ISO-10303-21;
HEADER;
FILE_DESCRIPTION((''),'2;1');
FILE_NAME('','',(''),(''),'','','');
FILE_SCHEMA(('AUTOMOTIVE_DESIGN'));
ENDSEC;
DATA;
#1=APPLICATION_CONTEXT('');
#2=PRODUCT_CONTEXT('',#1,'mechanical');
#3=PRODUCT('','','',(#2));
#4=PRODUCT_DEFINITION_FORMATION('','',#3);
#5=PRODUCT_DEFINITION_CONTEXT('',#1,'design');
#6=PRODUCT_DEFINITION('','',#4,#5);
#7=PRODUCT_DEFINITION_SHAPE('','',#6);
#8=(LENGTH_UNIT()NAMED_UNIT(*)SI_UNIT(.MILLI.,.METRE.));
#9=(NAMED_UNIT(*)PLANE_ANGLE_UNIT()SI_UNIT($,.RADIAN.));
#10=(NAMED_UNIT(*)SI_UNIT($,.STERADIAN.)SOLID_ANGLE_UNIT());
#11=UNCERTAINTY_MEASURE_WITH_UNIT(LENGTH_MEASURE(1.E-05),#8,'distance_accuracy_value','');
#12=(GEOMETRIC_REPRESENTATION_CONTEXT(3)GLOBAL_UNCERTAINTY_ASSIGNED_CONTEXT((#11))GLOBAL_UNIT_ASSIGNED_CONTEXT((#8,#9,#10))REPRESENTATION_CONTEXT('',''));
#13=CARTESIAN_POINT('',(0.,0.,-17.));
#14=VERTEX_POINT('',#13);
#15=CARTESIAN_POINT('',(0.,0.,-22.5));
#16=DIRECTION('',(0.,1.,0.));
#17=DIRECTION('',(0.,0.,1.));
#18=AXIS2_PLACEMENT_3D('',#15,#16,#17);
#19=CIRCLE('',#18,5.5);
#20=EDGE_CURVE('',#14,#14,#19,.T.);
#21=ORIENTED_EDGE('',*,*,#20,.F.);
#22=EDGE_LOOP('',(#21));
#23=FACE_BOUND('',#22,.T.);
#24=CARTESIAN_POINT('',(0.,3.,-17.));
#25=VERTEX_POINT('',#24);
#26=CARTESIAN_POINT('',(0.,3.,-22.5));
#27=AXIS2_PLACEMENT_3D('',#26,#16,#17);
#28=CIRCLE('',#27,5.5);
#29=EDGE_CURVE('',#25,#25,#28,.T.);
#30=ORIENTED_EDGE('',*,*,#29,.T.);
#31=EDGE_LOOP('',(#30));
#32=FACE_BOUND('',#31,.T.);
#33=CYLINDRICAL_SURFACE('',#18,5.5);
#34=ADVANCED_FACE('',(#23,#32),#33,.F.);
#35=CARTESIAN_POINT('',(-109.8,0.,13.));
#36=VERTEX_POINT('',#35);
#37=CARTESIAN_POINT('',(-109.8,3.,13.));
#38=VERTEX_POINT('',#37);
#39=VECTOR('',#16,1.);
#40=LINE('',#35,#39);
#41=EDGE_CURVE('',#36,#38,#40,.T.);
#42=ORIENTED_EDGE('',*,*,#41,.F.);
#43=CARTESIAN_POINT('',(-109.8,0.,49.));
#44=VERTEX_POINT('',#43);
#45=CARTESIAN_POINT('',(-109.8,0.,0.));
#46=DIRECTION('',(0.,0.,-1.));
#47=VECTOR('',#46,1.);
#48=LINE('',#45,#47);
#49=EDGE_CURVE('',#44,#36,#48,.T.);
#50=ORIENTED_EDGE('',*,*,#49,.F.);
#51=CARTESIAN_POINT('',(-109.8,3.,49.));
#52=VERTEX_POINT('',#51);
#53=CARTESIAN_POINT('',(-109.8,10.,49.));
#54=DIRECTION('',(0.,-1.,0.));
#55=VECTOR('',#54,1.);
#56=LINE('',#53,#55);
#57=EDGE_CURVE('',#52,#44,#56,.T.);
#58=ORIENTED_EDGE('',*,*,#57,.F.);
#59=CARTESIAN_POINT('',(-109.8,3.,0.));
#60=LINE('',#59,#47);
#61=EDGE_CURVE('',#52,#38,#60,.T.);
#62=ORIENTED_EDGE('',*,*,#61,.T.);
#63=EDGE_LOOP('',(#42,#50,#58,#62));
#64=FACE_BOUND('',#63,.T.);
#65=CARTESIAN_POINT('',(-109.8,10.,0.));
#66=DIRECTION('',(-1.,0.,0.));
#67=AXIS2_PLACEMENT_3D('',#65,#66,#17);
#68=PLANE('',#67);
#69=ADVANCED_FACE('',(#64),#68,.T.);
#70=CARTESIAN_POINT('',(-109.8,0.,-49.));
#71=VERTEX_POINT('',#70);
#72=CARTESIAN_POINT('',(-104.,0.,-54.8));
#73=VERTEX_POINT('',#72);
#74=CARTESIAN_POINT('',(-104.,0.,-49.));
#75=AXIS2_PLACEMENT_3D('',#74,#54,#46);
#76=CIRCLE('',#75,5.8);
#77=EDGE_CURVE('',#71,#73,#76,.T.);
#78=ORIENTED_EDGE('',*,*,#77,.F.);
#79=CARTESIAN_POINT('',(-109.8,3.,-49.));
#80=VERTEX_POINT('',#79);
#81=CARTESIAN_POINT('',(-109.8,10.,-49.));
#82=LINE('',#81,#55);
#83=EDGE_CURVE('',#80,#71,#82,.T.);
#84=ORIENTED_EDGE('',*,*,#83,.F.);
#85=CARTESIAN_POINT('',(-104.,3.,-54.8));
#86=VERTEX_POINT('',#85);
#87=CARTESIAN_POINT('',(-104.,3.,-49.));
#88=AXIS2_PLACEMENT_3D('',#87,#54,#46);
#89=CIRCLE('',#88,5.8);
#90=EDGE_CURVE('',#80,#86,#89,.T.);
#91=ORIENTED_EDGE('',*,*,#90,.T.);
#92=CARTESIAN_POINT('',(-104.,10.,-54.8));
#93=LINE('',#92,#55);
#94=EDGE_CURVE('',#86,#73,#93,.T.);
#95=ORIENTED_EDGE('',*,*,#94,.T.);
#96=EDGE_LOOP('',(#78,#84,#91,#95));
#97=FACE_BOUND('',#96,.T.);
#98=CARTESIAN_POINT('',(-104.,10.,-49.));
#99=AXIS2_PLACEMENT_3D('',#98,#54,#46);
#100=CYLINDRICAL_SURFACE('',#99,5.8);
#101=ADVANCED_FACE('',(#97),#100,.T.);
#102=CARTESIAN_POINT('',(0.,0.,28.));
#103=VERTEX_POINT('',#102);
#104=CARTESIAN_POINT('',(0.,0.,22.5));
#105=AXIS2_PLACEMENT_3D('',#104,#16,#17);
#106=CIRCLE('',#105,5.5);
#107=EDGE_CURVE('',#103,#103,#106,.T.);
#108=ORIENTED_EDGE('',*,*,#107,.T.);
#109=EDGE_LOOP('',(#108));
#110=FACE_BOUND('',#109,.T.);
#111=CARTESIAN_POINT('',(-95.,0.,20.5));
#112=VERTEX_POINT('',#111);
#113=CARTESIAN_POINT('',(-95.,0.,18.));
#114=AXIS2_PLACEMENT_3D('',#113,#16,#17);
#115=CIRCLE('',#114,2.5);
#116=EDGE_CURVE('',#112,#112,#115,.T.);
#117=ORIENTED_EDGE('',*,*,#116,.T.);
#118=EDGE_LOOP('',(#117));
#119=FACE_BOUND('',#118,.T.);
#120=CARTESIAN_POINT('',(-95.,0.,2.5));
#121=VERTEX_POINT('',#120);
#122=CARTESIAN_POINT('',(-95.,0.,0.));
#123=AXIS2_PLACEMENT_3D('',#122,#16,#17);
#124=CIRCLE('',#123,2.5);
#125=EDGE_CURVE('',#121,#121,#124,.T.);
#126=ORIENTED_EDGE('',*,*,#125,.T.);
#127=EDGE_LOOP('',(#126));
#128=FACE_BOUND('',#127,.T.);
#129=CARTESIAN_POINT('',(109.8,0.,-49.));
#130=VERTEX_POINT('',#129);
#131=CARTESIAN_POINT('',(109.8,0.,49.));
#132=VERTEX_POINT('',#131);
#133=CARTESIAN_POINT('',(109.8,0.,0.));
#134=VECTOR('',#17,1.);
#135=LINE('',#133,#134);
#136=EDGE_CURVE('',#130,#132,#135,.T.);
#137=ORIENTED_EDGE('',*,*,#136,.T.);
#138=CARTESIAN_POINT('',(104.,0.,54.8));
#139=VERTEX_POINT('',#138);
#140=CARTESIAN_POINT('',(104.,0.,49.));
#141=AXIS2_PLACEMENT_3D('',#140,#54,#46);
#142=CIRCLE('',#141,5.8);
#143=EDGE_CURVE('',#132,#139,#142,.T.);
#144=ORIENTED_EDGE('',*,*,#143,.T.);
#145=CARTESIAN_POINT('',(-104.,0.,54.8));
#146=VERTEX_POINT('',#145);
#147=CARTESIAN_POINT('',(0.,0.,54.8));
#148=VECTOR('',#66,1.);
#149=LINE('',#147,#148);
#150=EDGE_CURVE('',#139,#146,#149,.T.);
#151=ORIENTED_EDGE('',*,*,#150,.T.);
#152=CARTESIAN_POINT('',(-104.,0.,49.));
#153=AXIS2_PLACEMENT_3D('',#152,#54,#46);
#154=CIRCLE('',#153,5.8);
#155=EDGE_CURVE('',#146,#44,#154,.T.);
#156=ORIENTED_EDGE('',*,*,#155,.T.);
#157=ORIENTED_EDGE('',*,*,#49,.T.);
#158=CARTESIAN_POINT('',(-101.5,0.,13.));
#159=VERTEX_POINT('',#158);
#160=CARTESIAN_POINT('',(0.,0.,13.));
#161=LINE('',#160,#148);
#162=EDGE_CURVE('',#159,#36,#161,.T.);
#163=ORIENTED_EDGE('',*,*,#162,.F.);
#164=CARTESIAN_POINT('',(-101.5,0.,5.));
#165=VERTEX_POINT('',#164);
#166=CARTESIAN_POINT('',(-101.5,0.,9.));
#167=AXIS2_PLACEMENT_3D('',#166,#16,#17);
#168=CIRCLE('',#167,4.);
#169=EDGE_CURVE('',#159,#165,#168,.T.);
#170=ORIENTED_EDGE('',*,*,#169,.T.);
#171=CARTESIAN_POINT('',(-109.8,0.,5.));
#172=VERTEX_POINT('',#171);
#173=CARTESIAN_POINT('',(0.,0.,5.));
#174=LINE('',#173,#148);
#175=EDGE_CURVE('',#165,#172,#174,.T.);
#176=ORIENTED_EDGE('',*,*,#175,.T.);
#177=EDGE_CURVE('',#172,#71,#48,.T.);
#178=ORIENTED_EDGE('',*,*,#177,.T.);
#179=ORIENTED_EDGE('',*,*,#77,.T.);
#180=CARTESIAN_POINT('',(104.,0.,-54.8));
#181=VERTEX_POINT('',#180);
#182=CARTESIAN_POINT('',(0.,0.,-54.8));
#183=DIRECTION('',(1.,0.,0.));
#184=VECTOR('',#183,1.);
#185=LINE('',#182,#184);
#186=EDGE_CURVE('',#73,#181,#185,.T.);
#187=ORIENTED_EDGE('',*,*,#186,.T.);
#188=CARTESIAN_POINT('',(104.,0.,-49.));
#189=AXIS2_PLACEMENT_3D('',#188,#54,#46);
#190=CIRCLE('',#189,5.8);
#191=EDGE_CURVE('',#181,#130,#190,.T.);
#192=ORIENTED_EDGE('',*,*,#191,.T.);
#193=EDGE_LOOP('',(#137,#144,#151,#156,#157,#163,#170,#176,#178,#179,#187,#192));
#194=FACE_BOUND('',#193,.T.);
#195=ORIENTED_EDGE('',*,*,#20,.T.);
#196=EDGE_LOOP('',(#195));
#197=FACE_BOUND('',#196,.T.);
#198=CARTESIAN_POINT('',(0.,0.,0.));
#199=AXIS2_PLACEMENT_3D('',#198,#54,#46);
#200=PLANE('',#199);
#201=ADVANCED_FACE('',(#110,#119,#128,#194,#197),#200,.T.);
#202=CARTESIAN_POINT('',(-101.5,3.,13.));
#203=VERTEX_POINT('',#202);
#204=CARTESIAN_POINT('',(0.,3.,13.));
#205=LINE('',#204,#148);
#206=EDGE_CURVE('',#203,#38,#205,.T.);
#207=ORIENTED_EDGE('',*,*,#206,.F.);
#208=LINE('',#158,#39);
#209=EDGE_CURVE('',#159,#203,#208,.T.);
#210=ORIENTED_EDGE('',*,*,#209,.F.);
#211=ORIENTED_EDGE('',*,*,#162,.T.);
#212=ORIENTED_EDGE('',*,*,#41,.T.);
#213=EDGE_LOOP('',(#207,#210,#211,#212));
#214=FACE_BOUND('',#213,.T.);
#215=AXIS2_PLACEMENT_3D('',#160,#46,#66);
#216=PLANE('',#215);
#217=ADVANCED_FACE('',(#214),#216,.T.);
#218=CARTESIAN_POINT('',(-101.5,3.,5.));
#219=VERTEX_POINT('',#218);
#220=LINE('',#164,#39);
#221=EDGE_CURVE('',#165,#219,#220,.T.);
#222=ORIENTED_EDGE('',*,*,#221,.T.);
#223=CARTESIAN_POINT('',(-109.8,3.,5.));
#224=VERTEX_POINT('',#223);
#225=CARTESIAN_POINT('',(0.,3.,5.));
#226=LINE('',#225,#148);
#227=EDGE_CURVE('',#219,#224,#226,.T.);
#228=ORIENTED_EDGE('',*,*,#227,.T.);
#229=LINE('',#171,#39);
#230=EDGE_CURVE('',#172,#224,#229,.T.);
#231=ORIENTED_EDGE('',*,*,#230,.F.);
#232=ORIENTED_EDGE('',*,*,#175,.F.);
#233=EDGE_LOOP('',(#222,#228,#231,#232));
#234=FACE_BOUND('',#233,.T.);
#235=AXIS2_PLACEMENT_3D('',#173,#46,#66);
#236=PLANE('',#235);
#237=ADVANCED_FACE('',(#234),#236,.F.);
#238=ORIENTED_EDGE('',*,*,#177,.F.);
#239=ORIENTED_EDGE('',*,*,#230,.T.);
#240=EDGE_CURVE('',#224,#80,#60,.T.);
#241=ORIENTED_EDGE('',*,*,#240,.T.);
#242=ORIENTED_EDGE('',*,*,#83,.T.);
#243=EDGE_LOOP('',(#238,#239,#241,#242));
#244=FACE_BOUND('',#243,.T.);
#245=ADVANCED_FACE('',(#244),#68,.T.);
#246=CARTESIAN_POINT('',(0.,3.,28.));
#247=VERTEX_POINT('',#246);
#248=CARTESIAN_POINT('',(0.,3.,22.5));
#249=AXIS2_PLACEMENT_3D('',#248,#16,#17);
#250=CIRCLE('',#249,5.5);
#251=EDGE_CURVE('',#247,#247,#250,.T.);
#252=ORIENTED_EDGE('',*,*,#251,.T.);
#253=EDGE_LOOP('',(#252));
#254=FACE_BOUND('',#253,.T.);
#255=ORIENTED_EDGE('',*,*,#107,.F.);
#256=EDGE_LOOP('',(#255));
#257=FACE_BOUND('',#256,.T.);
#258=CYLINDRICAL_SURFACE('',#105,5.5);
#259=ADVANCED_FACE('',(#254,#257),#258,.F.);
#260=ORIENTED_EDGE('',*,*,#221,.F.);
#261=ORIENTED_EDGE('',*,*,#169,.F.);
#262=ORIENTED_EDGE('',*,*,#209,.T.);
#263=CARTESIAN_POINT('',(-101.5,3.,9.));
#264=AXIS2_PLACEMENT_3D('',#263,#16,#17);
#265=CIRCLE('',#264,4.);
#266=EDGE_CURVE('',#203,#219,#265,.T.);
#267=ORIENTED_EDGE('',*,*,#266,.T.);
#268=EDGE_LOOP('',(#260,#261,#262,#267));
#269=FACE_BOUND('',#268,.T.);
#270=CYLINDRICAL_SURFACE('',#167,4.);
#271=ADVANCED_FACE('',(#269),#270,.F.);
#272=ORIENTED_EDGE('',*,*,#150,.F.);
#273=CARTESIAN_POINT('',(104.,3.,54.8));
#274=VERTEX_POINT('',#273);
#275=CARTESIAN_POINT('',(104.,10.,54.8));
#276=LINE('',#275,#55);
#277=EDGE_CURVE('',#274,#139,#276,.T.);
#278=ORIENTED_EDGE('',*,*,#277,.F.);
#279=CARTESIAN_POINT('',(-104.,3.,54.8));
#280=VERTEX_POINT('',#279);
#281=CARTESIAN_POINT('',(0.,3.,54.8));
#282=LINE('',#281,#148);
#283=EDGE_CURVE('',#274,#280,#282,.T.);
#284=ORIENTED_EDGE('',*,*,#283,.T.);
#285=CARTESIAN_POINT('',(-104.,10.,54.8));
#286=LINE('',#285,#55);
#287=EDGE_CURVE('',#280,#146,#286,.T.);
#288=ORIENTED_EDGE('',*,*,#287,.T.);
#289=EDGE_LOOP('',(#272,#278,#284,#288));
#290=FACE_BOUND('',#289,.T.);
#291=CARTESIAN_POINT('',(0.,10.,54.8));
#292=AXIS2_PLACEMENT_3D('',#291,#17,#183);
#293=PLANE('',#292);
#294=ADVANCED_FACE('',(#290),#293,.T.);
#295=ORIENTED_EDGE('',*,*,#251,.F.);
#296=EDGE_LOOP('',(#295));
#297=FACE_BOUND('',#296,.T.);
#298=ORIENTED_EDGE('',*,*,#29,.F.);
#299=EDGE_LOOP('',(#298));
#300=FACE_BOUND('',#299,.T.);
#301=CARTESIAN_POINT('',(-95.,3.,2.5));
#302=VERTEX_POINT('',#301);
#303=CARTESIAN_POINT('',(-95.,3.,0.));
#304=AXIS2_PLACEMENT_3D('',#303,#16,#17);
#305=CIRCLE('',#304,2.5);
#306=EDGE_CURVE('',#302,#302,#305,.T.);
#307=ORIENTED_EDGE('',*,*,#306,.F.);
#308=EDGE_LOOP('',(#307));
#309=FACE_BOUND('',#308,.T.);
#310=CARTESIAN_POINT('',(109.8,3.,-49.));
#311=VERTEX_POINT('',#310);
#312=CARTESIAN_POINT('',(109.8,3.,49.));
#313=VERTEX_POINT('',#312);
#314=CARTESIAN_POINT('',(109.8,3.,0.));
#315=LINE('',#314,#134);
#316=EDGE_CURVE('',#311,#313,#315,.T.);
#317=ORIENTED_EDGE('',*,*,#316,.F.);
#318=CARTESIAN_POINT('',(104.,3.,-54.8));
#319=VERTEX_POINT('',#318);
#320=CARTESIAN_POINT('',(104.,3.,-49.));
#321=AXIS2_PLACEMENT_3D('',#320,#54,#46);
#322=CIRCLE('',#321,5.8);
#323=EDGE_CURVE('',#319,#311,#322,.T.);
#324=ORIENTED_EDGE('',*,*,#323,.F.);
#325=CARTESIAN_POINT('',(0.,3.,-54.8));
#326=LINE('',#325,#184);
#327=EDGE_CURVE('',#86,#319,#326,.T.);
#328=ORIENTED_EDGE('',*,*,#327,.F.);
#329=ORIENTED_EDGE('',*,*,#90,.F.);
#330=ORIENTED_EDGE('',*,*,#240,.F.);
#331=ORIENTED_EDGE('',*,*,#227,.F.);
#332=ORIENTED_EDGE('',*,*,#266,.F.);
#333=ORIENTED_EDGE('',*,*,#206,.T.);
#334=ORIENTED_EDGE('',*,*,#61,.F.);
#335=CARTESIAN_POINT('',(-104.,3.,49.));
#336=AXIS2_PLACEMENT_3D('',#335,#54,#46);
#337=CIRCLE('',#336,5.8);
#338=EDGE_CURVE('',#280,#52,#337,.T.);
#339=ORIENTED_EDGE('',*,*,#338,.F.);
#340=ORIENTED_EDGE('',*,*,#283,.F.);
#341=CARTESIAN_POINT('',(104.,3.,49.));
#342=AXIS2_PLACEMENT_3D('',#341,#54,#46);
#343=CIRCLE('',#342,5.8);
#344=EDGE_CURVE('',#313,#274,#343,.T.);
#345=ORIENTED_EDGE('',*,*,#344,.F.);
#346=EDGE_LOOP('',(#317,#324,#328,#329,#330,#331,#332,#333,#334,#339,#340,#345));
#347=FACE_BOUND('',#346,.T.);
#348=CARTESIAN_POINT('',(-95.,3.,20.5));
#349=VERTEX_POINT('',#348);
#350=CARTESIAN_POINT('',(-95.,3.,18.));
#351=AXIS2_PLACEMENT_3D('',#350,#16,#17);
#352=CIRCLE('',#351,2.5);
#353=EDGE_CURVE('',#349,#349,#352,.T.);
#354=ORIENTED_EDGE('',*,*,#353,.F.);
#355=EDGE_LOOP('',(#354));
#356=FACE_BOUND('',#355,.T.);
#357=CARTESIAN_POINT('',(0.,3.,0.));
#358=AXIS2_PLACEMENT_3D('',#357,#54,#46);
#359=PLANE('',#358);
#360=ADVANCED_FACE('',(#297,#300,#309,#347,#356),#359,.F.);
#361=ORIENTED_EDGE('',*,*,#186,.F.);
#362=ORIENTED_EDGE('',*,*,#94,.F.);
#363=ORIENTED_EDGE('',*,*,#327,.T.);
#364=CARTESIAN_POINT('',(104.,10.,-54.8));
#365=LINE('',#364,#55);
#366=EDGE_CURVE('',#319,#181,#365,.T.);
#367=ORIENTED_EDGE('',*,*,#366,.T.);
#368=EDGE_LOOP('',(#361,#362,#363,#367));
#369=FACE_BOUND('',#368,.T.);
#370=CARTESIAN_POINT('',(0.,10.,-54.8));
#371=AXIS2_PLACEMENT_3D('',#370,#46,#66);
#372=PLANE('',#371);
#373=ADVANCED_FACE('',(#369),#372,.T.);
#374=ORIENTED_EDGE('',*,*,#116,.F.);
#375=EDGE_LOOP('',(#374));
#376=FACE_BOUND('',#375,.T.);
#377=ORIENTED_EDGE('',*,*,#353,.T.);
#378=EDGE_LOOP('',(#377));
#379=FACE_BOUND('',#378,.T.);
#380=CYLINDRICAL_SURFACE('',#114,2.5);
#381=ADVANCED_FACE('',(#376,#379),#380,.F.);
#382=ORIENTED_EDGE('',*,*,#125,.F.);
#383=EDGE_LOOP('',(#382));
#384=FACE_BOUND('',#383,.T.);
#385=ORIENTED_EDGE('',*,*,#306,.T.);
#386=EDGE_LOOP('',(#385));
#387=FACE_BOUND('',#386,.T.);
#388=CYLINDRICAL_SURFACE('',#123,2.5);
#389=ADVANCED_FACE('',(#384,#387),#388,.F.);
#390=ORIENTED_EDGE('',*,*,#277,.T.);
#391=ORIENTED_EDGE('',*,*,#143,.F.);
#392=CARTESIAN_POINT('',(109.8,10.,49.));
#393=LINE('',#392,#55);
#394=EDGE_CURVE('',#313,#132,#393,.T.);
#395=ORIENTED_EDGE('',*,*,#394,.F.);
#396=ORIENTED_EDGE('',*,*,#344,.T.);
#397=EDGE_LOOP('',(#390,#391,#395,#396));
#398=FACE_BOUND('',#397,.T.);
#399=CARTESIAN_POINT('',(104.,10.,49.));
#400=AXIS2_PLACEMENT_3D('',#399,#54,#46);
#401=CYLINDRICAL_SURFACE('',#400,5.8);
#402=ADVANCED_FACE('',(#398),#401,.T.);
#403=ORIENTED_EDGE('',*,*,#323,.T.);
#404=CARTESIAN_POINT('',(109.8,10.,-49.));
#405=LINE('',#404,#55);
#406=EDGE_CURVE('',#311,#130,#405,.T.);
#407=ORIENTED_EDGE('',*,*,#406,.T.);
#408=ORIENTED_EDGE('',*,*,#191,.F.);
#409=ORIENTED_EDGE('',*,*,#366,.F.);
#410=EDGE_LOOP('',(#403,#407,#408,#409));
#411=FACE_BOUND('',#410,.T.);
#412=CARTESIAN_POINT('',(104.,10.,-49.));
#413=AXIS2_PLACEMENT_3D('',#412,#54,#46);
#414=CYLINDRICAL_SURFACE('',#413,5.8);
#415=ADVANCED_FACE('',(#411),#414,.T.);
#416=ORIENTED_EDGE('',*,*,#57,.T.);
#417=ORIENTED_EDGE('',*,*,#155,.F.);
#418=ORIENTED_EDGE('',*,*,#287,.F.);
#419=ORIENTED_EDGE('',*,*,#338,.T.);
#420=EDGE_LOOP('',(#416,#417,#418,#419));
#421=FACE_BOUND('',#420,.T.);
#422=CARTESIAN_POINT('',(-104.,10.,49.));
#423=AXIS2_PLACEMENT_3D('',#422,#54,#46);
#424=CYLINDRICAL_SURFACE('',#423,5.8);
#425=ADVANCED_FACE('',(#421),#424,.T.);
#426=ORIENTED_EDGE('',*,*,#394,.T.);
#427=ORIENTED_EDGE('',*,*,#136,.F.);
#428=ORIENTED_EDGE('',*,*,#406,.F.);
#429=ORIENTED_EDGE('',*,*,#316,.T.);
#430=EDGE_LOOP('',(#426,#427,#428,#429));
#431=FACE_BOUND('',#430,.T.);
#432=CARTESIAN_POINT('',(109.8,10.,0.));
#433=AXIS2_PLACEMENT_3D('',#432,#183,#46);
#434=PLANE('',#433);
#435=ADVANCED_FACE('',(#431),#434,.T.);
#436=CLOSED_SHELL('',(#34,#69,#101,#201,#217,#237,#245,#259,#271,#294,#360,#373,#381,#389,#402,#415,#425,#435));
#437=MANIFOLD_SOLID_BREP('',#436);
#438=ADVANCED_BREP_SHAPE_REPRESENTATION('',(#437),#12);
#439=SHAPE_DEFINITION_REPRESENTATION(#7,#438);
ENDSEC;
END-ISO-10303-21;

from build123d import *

# Parameters (mm, degrees)
SKETCH_1_W          = 220
SKETCH_1_H          = 110
EXTRUDE_1_DEPTH     = 3
SKETCH_2_W          = 220
SKETCH_2_H          = 110
CUT_EXTRUDE_1_DEPTH = 10
SKETCH_3_R          = 2.5
SKETCH_3_R_2        = 1.5875
CUT_EXTRUDE_2_DEPTH = 123.752107925
SKETCH_4_R          = 5.5
CUT_EXTRUDE_3_DEPTH = 123.752107925


with BuildPart() as part:
    # Эскиз1 → Бобышка-Вытянуть1 (new body)
    with BuildSketch(Plane(origin=(0, 0, 0), x_dir=(1, 0, 0), z_dir=(0, 1, 0))):
        Rectangle(SKETCH_1_W, SKETCH_1_H)
    extrude(amount=EXTRUDE_1_DEPTH)

    # Эскиз2 → Вырез-Вытянуть1 (cut)
    with BuildSketch(Plane.XZ):
        Rectangle(SKETCH_2_W, SKETCH_2_H)
        with BuildLine():
            ThreePointArc((104, -54.8), (108.101219331, -53.101219331), (109.8, -49))
            Line((109.8, -49), (109.8, 49))
            ThreePointArc((109.8, 49), (108.101219331, 53.101219331), (104, 54.8))
            Line((104, 54.8), (-104, 54.8))
            ThreePointArc((-104, 54.8), (-108.101219331, 53.101219331), (-109.8, 49))
            Line((-109.8, 49), (-109.8, -49))
            ThreePointArc((-109.8, -49), (-108.101219331, -53.101219331), (-104, -54.8))
            Line((-104, -54.8), (104, -54.8))
        make_face(mode=Mode.SUBTRACT)
    extrude(amount=-CUT_EXTRUDE_1_DEPTH, mode=Mode.SUBTRACT)

    # Эскиз3 → Вырез-Вытянуть2 (cut, through all)
    # profile 1 of 5: a face of its own
    with BuildSketch(Plane(origin=(0, 3, 0), x_dir=(1, 0, 0), z_dir=(0, 1, 0))):
        with Locations(Location((-95, 0, 0), (0, 0, 270))):
            Circle(SKETCH_3_R)
        with Locations((-95, 0)):
            Circle(SKETCH_3_R_2, mode=Mode.SUBTRACT)
    # profile 2 of 5: a face of its own
    with BuildSketch(Plane(origin=(0, 3, 0), x_dir=(1, 0, 0), z_dir=(0, 1, 0))):
        with Locations((-95, 0)):
            Circle(SKETCH_3_R_2)
    # profile 3 of 5: a face of its own
    with BuildSketch(Plane(origin=(0, 3, 0), x_dir=(1, 0, 0), z_dir=(0, 1, 0))):
        with Locations(Location((-95, -18, 0), (0, 0, 270))):
            Circle(SKETCH_3_R)
        with Locations((-95, -18)):
            Circle(SKETCH_3_R_2, mode=Mode.SUBTRACT)
    # profile 4 of 5: a face of its own
    with BuildSketch(Plane(origin=(0, 3, 0), x_dir=(1, 0, 0), z_dir=(0, 1, 0))):
        with Locations((-95, -18)):
            Circle(SKETCH_3_R_2)
    # profile 5 of 5: a face of its own
    with BuildSketch(Plane(origin=(0, 3, 0), x_dir=(1, 0, 0), z_dir=(0, 1, 0))):
        with BuildLine():
            ThreePointArc((-101.5, -13), (-97.5, -9), (-101.5, -5))
            Line((-101.5, -5), (-109.8, -5))
            Line((-109.8, -5), (-109.8, -13))
            Line((-109.8, -13), (-101.5, -13))
        make_face()
    extrude(amount=-CUT_EXTRUDE_2_DEPTH, mode=Mode.SUBTRACT)

    # Эскиз4 → Вырез-Вытянуть3 (cut, through all)
    with BuildSketch(Plane(origin=(0, 3, 0), x_dir=(1, 0, 0), z_dir=(0, 1, 0))):
        with Locations(Location((0, 22.5, 0), (0, 0, 270))):
            Circle(SKETCH_4_R)
        with Locations(Location((0, -22.5, 0), (0, 0, 270))):
            Circle(SKETCH_4_R)
    extrude(amount=-CUT_EXTRUDE_3_DEPTH, mode=Mode.SUBTRACT)


solid = part.part
